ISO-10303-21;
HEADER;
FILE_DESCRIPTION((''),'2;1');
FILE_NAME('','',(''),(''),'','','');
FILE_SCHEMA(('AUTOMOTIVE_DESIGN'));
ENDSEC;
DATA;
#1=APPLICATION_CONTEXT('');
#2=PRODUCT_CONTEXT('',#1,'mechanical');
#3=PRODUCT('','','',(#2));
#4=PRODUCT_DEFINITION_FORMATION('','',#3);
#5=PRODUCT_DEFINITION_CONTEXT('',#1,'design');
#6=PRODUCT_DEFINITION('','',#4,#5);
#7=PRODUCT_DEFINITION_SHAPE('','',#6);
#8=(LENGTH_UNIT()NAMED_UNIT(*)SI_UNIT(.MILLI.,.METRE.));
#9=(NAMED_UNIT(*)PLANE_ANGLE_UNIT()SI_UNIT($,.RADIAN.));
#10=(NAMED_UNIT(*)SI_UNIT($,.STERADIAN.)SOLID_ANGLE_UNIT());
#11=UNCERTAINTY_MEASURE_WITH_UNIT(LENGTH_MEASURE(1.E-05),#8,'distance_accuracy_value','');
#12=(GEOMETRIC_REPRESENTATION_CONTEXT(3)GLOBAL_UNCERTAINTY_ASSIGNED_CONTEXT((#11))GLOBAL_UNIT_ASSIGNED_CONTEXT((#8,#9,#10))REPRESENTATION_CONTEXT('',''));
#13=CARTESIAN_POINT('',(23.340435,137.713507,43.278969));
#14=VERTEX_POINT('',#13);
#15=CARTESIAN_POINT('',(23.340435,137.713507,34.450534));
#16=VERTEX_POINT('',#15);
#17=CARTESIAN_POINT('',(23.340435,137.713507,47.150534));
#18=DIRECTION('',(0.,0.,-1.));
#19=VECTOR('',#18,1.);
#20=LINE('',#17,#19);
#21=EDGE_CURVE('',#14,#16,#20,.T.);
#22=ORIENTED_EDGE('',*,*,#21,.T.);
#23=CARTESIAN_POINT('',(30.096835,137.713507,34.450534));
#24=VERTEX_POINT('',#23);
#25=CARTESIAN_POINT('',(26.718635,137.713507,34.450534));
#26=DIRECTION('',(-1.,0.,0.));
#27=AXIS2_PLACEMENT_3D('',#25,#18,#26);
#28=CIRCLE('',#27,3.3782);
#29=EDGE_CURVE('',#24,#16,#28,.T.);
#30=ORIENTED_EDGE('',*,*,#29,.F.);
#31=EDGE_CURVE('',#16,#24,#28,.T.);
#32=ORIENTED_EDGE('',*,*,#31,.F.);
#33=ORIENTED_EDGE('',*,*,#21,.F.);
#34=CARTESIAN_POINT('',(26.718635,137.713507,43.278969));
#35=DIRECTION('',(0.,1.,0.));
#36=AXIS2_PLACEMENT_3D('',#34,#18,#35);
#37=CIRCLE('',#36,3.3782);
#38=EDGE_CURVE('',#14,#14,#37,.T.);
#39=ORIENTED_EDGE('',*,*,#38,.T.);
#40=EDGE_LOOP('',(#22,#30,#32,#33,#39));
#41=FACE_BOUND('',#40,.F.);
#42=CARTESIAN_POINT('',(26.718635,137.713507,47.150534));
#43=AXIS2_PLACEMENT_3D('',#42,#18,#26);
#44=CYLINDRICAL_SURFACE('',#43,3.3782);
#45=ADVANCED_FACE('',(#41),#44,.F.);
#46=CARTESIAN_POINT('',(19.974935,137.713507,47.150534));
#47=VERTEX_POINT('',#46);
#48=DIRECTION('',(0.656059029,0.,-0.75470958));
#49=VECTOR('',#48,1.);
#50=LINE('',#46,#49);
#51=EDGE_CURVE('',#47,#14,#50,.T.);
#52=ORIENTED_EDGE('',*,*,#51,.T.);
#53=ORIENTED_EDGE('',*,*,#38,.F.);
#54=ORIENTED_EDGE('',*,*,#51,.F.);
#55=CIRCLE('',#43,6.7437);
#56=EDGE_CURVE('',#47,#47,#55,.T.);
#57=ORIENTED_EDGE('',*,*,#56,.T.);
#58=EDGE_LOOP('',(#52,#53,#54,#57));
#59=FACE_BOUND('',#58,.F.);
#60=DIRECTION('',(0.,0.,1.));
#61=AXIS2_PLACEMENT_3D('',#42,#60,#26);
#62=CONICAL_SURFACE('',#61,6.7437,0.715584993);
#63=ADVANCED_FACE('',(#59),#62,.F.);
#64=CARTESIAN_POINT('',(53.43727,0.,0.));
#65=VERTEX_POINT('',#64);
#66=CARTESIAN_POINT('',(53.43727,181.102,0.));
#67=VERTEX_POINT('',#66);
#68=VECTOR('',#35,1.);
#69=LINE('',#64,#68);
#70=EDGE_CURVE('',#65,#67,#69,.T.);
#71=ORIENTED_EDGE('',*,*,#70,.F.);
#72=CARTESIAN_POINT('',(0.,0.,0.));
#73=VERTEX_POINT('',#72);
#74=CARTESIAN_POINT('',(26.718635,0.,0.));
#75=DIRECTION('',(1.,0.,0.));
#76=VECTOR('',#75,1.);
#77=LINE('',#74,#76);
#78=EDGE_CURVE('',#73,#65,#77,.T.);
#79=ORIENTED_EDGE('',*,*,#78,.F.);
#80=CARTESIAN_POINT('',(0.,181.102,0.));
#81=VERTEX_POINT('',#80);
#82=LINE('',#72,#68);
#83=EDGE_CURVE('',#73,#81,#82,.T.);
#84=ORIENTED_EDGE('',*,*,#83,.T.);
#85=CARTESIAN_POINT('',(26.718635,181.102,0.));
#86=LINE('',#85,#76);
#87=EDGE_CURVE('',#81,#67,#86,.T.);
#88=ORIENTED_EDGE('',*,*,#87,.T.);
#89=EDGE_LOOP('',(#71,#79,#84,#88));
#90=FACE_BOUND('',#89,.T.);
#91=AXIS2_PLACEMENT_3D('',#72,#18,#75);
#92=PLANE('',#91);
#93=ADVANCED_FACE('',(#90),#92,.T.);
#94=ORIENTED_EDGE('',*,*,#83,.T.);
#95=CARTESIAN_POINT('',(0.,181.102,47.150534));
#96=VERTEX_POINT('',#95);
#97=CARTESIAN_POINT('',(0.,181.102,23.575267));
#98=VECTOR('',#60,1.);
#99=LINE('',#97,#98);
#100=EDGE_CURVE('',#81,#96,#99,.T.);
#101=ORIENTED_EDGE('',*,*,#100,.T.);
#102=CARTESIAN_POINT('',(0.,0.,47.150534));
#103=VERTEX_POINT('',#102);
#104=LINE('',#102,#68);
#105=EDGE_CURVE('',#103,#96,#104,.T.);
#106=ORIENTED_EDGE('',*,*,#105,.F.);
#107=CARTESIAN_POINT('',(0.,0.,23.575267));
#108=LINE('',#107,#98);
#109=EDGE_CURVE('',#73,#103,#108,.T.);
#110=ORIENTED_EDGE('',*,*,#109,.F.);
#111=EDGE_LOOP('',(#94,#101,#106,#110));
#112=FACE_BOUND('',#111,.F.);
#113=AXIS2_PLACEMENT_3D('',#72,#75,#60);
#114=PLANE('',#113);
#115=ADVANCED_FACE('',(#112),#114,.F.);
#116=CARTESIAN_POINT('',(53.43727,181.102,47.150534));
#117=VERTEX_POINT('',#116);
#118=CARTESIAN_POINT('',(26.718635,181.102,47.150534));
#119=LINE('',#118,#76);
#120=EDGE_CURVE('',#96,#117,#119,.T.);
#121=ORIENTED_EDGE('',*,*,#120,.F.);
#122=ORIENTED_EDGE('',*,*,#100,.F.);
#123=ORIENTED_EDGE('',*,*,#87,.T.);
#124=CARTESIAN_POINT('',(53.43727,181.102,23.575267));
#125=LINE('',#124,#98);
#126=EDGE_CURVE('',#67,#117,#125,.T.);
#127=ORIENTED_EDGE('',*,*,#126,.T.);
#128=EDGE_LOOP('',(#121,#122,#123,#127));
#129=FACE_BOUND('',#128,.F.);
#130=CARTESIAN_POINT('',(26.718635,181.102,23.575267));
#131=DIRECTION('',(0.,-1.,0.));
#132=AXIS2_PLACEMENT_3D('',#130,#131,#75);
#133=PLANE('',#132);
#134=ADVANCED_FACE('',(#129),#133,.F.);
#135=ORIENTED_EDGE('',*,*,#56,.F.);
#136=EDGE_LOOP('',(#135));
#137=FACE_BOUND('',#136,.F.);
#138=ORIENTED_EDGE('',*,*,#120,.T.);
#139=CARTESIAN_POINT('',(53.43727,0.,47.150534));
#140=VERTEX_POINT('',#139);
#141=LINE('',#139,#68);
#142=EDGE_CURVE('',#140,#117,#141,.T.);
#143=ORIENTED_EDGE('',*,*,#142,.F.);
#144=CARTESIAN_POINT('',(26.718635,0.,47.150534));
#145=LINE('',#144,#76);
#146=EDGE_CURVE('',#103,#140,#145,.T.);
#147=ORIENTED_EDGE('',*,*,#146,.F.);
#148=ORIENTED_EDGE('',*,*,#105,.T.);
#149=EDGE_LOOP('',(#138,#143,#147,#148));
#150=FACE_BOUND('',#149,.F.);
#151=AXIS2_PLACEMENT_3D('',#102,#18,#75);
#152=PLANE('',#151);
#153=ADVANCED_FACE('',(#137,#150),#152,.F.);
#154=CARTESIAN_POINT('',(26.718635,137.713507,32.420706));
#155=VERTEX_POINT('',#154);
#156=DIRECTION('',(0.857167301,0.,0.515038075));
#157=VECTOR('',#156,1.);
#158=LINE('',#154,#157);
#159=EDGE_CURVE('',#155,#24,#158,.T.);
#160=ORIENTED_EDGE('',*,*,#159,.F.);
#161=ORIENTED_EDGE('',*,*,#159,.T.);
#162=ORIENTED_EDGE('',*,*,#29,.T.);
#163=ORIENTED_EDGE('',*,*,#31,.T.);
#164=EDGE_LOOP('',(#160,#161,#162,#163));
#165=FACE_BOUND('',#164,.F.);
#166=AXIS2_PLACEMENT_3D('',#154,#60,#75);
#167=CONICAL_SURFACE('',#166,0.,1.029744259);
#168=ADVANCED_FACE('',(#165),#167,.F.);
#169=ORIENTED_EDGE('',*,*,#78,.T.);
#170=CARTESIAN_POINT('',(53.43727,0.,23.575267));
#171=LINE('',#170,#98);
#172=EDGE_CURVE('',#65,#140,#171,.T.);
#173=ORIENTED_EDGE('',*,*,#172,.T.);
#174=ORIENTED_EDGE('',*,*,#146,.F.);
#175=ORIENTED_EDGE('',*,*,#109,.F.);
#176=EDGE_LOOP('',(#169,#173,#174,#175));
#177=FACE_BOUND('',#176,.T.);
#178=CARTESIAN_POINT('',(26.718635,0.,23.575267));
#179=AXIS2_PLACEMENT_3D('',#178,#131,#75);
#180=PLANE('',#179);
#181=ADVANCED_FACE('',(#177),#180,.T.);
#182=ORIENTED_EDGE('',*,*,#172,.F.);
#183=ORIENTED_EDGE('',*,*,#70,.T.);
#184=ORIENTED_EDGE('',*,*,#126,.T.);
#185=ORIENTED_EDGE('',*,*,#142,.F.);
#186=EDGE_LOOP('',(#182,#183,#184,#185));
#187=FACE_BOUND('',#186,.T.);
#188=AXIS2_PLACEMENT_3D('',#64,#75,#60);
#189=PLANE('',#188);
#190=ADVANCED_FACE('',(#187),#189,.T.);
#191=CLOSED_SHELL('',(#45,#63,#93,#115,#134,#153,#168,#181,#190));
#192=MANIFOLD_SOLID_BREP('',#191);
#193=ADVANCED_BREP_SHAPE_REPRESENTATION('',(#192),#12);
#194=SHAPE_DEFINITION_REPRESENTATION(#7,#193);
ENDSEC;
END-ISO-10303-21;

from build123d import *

# Parameters (mm, degrees)
F0_W           = 53.4372702241
F0_H           = 47.1505336463
F1_DEPTH       = 181.102
F3_D           = 6.7564
F3_DEPTH       = 12.7
F3_CSINK_D     = 13.4874
F3_CSINK_ANGLE = 82
F3_TIP         = 2.0298273432


with BuildPart() as f1:
    # F0 (on Front) → F1 (new body)
    with BuildSketch(Plane.XZ):
        with Locations((26.718635112, 23.5752668232)):
            Rectangle(F0_W, F0_H)
    extrude(amount=-F1_DEPTH)

    # F3
    with Locations(Plane.XY.offset(47.1505336463)):
        with Locations((26.718635112, 137.7135068178)):
            CounterSinkHole(F3_D / 2, F3_CSINK_D / 2, depth=F3_DEPTH, counter_sink_angle=F3_CSINK_ANGLE)
            with Locations((0, 0, -(F3_DEPTH + F3_TIP / 2))):  # 118° drill point
                Cone(0, F3_D / 2, F3_TIP, mode=Mode.SUBTRACT)


solid = f1.part
